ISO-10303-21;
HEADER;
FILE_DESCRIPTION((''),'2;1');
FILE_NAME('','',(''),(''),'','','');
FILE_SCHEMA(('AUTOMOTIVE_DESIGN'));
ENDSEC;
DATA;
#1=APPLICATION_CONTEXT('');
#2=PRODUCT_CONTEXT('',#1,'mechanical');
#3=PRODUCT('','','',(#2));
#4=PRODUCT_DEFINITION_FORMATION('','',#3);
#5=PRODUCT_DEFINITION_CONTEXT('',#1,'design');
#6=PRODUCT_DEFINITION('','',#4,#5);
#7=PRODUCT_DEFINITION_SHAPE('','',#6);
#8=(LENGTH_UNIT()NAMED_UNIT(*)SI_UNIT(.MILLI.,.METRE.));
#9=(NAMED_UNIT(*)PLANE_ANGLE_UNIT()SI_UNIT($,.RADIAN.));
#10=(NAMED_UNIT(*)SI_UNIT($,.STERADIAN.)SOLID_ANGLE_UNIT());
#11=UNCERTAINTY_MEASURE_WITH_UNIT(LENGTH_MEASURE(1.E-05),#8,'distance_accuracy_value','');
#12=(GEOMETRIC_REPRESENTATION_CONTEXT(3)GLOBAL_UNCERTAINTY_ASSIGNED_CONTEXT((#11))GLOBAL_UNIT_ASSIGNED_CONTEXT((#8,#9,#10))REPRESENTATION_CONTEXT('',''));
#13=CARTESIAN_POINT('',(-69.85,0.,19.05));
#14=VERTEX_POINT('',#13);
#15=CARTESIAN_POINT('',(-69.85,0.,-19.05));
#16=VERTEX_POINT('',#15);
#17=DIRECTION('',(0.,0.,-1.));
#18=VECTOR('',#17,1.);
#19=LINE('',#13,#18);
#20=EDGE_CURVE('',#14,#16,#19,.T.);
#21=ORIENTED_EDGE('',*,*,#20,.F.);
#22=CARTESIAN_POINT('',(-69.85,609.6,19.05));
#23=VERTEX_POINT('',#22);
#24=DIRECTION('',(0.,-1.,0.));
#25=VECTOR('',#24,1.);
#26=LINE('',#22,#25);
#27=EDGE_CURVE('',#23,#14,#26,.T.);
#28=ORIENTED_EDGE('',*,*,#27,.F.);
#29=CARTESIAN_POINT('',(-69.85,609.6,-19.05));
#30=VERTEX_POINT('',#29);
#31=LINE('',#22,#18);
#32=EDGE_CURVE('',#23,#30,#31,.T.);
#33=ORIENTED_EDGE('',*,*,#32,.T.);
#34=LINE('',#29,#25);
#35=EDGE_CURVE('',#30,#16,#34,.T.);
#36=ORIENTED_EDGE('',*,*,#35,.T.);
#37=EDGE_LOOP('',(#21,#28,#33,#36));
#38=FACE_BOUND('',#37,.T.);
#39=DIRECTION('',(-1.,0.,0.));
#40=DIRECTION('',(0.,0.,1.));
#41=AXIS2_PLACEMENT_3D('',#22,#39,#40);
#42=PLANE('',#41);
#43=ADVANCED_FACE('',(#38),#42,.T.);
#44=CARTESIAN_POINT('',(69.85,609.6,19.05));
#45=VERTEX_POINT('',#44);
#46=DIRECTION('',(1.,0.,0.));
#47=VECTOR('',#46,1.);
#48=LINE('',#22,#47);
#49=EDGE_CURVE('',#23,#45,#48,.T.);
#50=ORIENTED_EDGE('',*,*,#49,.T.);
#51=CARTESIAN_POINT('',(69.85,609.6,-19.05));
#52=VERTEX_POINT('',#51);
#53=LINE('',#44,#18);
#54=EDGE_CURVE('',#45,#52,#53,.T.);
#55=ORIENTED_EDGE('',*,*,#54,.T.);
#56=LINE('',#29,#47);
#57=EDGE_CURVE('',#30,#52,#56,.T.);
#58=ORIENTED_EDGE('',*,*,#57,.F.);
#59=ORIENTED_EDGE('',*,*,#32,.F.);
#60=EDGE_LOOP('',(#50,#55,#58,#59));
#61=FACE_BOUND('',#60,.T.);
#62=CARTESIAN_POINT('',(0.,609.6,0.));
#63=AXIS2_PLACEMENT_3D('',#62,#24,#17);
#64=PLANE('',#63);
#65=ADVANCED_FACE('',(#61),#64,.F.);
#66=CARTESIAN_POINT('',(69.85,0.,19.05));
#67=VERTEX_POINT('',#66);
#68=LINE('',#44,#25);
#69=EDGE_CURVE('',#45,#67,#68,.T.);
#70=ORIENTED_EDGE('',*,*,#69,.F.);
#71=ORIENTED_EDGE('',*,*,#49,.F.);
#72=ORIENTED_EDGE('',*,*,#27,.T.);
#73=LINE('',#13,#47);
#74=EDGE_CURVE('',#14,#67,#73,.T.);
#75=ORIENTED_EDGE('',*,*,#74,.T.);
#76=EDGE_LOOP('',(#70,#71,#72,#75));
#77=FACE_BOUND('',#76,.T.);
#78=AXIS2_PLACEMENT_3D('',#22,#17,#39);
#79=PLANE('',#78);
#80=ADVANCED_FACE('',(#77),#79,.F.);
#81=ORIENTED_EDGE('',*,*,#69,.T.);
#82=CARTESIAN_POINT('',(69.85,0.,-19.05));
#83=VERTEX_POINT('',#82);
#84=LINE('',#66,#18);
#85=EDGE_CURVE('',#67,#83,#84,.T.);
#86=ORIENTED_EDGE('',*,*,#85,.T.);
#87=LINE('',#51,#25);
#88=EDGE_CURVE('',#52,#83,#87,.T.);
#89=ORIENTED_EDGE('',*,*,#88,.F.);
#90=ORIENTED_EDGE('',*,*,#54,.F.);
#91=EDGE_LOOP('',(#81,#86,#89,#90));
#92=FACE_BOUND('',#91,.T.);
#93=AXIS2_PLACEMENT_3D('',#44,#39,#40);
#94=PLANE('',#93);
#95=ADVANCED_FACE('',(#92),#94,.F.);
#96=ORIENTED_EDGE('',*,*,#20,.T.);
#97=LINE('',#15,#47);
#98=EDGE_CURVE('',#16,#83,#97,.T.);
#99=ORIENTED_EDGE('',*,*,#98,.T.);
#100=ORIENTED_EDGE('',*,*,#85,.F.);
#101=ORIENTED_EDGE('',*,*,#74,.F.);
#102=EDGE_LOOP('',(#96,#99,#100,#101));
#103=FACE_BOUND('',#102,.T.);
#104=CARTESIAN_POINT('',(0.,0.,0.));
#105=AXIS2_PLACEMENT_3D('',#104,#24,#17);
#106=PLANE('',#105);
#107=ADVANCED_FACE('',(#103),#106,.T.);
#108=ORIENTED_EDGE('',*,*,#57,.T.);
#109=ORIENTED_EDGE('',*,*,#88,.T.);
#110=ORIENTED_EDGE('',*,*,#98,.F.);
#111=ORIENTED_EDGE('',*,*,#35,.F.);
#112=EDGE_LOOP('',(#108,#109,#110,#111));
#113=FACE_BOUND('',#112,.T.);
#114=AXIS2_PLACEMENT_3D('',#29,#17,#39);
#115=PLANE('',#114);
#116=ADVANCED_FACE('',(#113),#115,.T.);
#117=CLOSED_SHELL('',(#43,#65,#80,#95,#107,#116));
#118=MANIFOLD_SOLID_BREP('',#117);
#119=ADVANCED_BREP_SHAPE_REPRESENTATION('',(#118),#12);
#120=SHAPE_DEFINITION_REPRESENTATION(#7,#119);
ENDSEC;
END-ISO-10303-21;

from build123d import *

# Parameters (mm, degrees)
SKETCH1_W           = 139.7
SKETCH1_H           = 38.1
BOSS_EXTRUDE1_DEPTH = 609.6


with BuildPart() as part:
    # Sketch1 → Boss-Extrude1 (new body)
    with BuildSketch(Plane(origin=(0, 0, 0), x_dir=(1, 0, 0), z_dir=(0, 1, 0))):
        Rectangle(SKETCH1_W, SKETCH1_H)
    extrude(amount=BOSS_EXTRUDE1_DEPTH)


solid = part.part
